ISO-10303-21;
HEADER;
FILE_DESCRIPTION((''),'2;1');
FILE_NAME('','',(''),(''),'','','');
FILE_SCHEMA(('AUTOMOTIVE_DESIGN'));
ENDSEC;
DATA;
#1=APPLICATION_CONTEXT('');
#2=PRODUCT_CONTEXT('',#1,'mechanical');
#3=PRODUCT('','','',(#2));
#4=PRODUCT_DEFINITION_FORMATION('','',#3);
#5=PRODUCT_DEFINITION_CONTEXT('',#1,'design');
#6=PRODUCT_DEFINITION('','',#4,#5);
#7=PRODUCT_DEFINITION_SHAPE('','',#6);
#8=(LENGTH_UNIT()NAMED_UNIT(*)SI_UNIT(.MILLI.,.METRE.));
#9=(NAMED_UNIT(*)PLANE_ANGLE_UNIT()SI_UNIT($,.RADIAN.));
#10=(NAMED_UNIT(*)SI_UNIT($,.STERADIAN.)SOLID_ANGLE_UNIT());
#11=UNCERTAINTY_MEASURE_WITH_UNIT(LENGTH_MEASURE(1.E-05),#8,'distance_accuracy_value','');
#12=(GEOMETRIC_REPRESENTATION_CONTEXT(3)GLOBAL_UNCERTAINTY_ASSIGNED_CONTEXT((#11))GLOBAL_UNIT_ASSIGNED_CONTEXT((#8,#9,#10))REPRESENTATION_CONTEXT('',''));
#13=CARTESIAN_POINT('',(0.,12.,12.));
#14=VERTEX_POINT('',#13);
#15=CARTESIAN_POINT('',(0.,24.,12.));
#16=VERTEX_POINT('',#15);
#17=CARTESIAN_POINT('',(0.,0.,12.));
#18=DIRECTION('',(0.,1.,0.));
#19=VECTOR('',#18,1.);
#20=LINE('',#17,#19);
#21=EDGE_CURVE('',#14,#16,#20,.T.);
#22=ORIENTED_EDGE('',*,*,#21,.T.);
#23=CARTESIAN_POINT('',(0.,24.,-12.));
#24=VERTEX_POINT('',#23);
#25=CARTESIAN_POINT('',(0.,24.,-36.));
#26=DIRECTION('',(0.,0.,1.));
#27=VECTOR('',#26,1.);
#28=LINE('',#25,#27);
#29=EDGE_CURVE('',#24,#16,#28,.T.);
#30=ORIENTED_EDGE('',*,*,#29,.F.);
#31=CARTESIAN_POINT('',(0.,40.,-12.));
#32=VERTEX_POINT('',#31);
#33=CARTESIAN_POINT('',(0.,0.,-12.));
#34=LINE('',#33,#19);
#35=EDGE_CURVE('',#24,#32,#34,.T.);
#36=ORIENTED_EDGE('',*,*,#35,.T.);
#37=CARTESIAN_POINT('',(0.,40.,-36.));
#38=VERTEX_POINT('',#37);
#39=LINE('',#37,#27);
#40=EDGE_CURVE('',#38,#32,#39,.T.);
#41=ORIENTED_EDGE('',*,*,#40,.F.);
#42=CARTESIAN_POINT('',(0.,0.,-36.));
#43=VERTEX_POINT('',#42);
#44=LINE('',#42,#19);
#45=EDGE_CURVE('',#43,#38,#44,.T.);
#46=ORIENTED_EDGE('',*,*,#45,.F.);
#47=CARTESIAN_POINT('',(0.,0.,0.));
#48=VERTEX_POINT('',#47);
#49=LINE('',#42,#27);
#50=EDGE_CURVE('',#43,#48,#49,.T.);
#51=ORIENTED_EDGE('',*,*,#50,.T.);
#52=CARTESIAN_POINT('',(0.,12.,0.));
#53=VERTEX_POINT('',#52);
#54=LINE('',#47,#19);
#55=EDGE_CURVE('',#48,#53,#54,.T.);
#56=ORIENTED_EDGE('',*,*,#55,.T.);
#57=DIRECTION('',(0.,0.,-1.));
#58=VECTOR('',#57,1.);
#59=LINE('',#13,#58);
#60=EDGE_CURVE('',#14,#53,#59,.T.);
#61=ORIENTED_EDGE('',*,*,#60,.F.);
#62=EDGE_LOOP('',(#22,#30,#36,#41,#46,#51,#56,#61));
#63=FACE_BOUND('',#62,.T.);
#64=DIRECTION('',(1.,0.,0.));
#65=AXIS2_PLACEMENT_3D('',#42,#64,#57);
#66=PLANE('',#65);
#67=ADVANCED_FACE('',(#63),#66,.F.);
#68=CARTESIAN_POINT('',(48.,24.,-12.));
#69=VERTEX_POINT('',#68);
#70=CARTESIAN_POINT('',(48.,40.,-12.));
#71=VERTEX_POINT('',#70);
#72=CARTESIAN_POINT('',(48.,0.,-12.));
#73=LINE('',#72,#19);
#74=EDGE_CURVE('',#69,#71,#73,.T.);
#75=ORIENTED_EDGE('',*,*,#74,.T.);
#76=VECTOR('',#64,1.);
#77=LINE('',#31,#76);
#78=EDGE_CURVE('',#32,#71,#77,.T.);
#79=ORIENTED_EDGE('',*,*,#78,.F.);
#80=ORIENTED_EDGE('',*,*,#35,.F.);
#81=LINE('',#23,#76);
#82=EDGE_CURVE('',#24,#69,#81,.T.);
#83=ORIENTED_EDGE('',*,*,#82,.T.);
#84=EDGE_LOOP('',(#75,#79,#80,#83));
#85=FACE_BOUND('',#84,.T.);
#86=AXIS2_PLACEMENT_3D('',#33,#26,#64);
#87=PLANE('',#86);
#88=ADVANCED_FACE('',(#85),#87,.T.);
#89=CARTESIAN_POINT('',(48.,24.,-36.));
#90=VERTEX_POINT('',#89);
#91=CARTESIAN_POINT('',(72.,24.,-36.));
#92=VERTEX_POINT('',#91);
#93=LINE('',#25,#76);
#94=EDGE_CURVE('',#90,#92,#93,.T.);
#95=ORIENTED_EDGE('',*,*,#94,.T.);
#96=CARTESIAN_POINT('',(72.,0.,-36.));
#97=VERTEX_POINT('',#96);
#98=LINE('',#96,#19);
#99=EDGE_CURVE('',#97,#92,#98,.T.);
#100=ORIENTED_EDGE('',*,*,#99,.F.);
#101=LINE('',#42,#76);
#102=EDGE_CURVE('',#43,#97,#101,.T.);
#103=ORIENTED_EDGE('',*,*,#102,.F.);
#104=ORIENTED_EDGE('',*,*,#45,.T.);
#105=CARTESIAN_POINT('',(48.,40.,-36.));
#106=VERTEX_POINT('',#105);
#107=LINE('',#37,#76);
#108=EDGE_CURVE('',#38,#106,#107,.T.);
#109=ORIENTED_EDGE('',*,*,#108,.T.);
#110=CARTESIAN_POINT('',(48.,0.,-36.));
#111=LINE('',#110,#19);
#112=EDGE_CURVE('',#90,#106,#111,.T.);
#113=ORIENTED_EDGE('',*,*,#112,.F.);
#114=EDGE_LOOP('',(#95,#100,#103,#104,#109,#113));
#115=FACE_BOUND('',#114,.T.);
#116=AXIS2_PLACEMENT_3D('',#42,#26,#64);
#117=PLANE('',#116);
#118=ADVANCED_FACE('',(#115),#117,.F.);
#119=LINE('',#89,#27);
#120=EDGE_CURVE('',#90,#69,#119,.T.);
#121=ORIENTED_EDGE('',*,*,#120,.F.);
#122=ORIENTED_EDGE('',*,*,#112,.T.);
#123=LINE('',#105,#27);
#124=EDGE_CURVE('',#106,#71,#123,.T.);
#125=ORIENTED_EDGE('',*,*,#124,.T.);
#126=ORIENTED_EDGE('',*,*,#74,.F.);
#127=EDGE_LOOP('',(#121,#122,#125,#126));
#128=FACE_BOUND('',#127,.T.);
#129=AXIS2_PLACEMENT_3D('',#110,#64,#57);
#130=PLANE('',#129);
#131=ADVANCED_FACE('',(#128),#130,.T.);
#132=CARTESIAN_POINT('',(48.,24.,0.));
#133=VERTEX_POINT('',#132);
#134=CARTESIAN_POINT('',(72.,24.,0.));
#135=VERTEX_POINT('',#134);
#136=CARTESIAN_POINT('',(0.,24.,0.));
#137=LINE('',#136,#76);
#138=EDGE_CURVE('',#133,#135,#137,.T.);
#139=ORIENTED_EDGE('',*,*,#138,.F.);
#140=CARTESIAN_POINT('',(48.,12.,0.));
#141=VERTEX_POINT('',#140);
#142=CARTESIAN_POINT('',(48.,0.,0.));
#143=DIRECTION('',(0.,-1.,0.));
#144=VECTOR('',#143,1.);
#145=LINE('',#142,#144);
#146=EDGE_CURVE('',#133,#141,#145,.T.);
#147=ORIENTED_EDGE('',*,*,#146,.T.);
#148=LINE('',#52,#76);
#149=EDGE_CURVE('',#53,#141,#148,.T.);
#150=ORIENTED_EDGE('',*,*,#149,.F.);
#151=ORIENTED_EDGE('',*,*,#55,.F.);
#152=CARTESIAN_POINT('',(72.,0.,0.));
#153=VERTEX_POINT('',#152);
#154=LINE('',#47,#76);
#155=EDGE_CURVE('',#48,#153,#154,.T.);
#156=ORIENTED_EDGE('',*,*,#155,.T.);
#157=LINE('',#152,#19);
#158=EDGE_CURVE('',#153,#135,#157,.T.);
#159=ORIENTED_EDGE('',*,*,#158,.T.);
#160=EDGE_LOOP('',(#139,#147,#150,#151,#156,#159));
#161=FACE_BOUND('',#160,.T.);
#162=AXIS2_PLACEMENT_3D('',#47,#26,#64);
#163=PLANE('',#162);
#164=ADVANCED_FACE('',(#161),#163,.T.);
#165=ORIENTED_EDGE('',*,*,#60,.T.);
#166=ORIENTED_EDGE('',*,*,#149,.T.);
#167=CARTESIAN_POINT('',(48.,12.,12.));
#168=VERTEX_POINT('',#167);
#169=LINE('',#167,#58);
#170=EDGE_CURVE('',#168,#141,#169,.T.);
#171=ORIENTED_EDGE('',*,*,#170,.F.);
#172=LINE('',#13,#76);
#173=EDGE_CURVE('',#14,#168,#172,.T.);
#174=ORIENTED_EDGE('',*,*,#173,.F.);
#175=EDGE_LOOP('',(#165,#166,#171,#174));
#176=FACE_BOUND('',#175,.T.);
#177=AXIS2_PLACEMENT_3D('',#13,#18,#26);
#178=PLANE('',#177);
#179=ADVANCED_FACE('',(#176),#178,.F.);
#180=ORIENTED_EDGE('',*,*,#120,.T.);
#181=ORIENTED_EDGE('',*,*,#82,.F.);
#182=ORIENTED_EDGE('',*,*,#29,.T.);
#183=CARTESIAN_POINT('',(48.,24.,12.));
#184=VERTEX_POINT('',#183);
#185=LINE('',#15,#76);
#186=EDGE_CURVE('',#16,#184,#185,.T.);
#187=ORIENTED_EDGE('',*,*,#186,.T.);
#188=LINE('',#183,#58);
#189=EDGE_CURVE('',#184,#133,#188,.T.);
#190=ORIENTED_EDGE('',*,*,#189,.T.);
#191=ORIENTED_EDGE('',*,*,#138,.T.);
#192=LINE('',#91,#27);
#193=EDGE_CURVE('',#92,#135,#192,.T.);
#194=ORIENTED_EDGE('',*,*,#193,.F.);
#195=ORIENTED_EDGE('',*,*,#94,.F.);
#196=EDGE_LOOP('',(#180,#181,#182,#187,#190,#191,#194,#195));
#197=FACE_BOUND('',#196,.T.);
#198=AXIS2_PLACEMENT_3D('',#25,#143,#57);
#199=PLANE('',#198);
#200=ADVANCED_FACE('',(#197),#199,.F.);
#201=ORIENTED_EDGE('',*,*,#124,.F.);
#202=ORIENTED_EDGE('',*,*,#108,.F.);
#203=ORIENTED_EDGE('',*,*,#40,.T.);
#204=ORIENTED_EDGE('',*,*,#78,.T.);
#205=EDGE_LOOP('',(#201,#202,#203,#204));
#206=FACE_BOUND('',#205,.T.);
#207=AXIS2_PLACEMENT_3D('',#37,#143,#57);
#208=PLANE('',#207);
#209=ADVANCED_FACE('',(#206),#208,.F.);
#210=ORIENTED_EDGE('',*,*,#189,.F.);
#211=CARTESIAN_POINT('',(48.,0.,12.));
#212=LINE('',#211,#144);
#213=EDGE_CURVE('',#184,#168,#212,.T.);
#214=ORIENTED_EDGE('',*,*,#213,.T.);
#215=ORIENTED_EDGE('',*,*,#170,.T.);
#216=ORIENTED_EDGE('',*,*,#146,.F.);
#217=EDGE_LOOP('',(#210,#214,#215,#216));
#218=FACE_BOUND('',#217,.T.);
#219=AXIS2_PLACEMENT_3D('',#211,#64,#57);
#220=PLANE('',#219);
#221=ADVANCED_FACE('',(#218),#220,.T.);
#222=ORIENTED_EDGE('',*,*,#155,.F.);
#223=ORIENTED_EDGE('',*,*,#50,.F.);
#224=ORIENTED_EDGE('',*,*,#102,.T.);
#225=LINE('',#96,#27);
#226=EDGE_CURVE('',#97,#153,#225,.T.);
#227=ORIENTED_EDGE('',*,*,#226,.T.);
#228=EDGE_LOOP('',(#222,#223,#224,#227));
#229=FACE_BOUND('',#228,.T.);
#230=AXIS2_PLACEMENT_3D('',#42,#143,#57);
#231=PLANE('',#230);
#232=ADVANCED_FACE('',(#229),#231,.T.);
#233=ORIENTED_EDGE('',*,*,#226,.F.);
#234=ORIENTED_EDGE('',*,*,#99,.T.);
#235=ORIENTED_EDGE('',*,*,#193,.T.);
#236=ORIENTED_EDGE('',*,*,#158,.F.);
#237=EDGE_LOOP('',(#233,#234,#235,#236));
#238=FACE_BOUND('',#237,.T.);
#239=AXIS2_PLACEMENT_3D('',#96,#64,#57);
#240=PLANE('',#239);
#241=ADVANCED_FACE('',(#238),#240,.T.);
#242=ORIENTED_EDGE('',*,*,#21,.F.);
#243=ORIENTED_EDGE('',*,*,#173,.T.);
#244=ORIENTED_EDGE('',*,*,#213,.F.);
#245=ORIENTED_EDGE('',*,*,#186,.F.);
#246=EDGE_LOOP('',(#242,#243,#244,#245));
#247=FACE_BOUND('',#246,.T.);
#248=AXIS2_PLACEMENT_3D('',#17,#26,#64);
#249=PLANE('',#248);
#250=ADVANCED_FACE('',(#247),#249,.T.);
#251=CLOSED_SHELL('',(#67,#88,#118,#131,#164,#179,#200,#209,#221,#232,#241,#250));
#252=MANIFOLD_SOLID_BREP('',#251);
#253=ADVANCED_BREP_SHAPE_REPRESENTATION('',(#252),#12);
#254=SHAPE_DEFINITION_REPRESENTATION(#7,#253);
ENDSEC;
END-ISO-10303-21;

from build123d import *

# Parameters (mm, degrees)
SKETCH1_W           = 72
SKETCH1_H           = 24
BOSS_EXTRUDE1_DEPTH = 36
SKETCH1_3_W         = 48
SKETCH1_3_H         = 12
BOSS_EXTRUDE2_DEPTH = 12
BOSS_EXTRUDE4_START = -12
SKETCH1_5_W         = 48
SKETCH1_5_H         = 16
BOSS_EXTRUDE4_DEPTH = 24


with BuildPart() as part:
    # Sketch1 → Boss-Extrude1 (new body)
    with BuildSketch(Plane.XY):
        with Locations((36, 12)):
            Rectangle(SKETCH1_W, SKETCH1_H)
    extrude(amount=-BOSS_EXTRUDE1_DEPTH)

    # Sketch1<3> → Boss-Extrude2 (add)
    with BuildSketch(Plane.XY):
        with Locations((24, 18)):
            Rectangle(SKETCH1_3_W, SKETCH1_3_H)
    extrude(amount=BOSS_EXTRUDE2_DEPTH)

    # Sketch1<5> → Boss-Extrude4 (add)
    with BuildSketch(Plane.XY.offset(BOSS_EXTRUDE4_START)):
        with Locations((24, 32)):
            Rectangle(SKETCH1_5_W, SKETCH1_5_H)
    extrude(amount=-BOSS_EXTRUDE4_DEPTH)


solid = part.part
